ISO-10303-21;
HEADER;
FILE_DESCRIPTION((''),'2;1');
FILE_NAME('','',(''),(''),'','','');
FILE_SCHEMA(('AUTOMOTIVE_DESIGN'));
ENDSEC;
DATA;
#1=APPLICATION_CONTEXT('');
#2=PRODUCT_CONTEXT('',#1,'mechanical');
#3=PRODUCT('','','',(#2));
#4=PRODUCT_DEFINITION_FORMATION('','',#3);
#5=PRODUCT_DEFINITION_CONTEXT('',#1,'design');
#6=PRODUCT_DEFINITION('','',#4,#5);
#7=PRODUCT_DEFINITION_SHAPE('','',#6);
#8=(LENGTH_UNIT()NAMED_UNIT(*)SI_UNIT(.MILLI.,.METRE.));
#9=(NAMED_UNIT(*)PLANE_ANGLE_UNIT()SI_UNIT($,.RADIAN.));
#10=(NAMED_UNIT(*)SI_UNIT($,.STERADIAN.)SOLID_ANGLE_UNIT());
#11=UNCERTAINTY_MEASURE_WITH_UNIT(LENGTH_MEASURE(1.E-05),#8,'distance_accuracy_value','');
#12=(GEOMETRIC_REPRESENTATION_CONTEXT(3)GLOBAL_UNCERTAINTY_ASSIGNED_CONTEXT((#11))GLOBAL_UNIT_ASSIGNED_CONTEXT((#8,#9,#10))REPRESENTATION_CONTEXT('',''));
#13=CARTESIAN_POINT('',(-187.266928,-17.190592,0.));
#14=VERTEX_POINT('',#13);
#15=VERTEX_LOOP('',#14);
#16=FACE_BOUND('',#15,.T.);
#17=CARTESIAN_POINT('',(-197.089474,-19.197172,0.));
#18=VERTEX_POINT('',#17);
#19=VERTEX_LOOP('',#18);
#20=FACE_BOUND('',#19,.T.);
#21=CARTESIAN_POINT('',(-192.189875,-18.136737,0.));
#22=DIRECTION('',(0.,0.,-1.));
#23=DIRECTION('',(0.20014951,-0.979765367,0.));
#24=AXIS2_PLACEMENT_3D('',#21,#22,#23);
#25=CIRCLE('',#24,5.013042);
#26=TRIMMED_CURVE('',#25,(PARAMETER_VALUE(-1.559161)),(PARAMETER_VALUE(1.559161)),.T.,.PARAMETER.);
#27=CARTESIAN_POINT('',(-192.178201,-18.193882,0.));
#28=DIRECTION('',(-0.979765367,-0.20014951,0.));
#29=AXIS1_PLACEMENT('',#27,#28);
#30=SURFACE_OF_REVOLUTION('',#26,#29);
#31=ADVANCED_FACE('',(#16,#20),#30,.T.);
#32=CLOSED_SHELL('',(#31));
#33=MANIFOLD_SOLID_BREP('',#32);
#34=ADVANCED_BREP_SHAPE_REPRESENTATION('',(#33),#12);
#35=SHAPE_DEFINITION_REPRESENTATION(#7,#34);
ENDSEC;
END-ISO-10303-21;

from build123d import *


with BuildPart() as part:
    # Sketch5 → Revolve1 (revolve)
    with BuildSketch(Plane.XY):
        with BuildLine():
            Line((-197.089473573, -19.197171869), (-187.266928324, -17.190591842))
            ThreePointArc((-187.266928324, -17.190591842), (-193.169885134, -13.339421699), (-197.089473573, -19.197171869))
        make_face()
    revolve(axis=Axis((-197.089473573, -19.197171869, 0), (0.9797653666970677, 0.2001495096695483, 0)))


solid = part.part
